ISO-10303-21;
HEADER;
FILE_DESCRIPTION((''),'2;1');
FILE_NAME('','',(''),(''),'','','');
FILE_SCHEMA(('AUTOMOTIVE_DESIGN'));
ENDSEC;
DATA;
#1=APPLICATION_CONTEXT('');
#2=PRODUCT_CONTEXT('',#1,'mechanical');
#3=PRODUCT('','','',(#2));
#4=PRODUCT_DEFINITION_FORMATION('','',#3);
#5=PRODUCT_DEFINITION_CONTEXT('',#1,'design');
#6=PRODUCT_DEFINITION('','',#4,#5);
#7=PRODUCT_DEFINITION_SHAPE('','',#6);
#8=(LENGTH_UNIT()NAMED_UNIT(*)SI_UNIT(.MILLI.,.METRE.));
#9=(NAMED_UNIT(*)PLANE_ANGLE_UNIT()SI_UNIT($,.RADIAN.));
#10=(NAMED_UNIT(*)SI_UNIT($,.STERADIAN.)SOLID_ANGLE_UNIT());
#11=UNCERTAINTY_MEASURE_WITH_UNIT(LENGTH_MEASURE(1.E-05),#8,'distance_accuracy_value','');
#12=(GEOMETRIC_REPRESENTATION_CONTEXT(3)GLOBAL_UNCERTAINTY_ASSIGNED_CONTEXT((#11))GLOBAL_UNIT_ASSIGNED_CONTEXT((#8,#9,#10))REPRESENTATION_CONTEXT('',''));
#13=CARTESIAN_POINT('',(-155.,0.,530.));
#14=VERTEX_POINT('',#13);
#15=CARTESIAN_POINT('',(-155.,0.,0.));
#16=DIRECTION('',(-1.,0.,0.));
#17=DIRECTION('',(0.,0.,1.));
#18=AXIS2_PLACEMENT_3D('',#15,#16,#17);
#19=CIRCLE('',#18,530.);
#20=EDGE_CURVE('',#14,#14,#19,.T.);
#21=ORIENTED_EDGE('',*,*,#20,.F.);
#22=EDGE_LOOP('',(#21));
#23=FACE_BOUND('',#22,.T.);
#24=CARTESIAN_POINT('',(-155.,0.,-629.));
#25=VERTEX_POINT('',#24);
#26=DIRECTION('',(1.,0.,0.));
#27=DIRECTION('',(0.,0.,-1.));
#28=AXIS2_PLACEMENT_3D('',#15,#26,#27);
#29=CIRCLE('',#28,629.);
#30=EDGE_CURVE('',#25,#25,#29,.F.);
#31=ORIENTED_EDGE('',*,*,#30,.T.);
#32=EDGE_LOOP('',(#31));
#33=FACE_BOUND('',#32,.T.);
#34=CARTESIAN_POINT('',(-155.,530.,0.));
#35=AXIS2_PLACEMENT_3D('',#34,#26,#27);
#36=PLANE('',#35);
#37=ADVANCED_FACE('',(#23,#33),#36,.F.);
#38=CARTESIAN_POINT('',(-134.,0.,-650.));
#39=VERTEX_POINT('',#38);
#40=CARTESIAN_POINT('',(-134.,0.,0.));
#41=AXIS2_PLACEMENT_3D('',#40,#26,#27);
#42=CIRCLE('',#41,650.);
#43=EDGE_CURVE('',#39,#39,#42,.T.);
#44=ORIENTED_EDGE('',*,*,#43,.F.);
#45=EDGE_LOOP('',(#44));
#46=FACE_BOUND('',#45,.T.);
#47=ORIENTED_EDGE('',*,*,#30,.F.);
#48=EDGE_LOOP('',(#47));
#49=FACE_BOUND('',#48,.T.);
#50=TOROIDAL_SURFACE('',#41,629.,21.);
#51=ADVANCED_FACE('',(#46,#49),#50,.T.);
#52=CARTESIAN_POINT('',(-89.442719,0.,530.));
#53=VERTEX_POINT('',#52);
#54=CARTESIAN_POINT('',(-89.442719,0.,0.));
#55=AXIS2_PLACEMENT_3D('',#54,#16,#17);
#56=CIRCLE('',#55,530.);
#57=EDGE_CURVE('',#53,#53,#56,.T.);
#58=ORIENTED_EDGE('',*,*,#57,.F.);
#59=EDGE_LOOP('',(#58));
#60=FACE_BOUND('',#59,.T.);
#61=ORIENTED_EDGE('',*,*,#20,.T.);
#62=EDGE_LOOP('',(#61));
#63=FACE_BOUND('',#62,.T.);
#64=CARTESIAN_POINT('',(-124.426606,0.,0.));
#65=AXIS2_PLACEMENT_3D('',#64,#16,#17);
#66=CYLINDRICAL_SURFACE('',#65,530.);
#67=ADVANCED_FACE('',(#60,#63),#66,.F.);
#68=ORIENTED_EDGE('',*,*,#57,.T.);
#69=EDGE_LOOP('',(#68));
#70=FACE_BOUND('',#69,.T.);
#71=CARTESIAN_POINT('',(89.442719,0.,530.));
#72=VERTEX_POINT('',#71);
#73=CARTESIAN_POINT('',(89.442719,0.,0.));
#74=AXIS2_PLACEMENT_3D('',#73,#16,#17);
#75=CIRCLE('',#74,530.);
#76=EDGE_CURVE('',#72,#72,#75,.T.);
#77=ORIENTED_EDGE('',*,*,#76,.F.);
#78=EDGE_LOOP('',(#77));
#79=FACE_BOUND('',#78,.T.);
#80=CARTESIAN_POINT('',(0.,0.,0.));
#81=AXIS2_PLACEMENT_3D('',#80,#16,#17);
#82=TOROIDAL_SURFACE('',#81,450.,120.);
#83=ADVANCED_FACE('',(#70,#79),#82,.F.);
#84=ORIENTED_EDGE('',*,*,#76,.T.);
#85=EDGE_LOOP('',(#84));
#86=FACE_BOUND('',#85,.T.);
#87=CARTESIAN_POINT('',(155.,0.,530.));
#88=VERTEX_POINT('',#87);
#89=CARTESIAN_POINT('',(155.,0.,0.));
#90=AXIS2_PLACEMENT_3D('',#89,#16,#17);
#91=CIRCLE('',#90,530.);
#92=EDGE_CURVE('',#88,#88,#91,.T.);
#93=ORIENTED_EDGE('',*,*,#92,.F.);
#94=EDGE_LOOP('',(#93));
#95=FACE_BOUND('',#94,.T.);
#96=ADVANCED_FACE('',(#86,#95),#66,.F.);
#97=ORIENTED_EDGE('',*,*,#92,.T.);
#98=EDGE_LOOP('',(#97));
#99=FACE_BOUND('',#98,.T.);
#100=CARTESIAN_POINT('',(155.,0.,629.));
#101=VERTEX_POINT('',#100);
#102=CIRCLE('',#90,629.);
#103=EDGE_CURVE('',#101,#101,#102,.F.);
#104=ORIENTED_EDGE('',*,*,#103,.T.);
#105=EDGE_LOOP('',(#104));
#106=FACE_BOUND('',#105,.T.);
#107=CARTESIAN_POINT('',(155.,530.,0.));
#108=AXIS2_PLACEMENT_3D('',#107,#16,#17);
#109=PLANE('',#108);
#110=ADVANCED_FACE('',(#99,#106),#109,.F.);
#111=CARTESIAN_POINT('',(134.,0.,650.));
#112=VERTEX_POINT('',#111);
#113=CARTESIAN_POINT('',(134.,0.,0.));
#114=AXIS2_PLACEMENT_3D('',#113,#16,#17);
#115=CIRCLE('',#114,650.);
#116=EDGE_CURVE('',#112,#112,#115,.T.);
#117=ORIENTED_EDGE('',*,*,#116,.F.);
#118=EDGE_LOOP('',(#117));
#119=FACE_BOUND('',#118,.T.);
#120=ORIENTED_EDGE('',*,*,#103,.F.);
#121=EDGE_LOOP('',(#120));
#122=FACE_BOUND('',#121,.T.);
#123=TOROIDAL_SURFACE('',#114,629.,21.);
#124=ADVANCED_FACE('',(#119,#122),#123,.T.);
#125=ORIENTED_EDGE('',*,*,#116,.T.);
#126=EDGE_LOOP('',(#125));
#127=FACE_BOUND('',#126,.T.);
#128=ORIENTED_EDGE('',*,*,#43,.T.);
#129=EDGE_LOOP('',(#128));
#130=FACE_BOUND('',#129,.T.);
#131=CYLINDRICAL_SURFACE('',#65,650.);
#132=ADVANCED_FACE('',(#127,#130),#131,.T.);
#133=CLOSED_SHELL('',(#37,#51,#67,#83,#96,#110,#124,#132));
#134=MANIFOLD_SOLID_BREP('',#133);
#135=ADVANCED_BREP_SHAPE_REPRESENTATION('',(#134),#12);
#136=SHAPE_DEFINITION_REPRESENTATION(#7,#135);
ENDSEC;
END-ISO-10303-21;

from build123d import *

# Parameters (mm, degrees)
FILLET2_R = 21


with BuildPart() as part:
    # Sketch1 → Revolve1 (revolve)
    with BuildSketch(Plane.XY, mode=Mode.PRIVATE) as revolve1_sk:
        with BuildLine():
            Line((155, 530), (89.4427191, 530))
            ThreePointArc((89.4427191, 530), (0, 570), (-89.4427191, 530))
            Line((-89.4427191, 530), (-155, 530))
            Line((-155, 530), (-155, 650))
            Line((-155, 650), (155, 650))
            Line((155, 650), (155, 530))
        make_face()
    revolve(revolve1_sk.sketch.rotate(Axis((-124.426605505, 0, 0), (1, 0, 0)), 90), axis=Axis((-124.426605505, 0, 0), (1, 0, 0)))

    # Fillet2
    fillet2_edges = [part.edges().sort_by_distance(p)[0] for p in [
        (155, 0, -650),
        (-155, 0, -650),
    ]]
    fillet(fillet2_edges, radius=FILLET2_R)


solid = part.part
